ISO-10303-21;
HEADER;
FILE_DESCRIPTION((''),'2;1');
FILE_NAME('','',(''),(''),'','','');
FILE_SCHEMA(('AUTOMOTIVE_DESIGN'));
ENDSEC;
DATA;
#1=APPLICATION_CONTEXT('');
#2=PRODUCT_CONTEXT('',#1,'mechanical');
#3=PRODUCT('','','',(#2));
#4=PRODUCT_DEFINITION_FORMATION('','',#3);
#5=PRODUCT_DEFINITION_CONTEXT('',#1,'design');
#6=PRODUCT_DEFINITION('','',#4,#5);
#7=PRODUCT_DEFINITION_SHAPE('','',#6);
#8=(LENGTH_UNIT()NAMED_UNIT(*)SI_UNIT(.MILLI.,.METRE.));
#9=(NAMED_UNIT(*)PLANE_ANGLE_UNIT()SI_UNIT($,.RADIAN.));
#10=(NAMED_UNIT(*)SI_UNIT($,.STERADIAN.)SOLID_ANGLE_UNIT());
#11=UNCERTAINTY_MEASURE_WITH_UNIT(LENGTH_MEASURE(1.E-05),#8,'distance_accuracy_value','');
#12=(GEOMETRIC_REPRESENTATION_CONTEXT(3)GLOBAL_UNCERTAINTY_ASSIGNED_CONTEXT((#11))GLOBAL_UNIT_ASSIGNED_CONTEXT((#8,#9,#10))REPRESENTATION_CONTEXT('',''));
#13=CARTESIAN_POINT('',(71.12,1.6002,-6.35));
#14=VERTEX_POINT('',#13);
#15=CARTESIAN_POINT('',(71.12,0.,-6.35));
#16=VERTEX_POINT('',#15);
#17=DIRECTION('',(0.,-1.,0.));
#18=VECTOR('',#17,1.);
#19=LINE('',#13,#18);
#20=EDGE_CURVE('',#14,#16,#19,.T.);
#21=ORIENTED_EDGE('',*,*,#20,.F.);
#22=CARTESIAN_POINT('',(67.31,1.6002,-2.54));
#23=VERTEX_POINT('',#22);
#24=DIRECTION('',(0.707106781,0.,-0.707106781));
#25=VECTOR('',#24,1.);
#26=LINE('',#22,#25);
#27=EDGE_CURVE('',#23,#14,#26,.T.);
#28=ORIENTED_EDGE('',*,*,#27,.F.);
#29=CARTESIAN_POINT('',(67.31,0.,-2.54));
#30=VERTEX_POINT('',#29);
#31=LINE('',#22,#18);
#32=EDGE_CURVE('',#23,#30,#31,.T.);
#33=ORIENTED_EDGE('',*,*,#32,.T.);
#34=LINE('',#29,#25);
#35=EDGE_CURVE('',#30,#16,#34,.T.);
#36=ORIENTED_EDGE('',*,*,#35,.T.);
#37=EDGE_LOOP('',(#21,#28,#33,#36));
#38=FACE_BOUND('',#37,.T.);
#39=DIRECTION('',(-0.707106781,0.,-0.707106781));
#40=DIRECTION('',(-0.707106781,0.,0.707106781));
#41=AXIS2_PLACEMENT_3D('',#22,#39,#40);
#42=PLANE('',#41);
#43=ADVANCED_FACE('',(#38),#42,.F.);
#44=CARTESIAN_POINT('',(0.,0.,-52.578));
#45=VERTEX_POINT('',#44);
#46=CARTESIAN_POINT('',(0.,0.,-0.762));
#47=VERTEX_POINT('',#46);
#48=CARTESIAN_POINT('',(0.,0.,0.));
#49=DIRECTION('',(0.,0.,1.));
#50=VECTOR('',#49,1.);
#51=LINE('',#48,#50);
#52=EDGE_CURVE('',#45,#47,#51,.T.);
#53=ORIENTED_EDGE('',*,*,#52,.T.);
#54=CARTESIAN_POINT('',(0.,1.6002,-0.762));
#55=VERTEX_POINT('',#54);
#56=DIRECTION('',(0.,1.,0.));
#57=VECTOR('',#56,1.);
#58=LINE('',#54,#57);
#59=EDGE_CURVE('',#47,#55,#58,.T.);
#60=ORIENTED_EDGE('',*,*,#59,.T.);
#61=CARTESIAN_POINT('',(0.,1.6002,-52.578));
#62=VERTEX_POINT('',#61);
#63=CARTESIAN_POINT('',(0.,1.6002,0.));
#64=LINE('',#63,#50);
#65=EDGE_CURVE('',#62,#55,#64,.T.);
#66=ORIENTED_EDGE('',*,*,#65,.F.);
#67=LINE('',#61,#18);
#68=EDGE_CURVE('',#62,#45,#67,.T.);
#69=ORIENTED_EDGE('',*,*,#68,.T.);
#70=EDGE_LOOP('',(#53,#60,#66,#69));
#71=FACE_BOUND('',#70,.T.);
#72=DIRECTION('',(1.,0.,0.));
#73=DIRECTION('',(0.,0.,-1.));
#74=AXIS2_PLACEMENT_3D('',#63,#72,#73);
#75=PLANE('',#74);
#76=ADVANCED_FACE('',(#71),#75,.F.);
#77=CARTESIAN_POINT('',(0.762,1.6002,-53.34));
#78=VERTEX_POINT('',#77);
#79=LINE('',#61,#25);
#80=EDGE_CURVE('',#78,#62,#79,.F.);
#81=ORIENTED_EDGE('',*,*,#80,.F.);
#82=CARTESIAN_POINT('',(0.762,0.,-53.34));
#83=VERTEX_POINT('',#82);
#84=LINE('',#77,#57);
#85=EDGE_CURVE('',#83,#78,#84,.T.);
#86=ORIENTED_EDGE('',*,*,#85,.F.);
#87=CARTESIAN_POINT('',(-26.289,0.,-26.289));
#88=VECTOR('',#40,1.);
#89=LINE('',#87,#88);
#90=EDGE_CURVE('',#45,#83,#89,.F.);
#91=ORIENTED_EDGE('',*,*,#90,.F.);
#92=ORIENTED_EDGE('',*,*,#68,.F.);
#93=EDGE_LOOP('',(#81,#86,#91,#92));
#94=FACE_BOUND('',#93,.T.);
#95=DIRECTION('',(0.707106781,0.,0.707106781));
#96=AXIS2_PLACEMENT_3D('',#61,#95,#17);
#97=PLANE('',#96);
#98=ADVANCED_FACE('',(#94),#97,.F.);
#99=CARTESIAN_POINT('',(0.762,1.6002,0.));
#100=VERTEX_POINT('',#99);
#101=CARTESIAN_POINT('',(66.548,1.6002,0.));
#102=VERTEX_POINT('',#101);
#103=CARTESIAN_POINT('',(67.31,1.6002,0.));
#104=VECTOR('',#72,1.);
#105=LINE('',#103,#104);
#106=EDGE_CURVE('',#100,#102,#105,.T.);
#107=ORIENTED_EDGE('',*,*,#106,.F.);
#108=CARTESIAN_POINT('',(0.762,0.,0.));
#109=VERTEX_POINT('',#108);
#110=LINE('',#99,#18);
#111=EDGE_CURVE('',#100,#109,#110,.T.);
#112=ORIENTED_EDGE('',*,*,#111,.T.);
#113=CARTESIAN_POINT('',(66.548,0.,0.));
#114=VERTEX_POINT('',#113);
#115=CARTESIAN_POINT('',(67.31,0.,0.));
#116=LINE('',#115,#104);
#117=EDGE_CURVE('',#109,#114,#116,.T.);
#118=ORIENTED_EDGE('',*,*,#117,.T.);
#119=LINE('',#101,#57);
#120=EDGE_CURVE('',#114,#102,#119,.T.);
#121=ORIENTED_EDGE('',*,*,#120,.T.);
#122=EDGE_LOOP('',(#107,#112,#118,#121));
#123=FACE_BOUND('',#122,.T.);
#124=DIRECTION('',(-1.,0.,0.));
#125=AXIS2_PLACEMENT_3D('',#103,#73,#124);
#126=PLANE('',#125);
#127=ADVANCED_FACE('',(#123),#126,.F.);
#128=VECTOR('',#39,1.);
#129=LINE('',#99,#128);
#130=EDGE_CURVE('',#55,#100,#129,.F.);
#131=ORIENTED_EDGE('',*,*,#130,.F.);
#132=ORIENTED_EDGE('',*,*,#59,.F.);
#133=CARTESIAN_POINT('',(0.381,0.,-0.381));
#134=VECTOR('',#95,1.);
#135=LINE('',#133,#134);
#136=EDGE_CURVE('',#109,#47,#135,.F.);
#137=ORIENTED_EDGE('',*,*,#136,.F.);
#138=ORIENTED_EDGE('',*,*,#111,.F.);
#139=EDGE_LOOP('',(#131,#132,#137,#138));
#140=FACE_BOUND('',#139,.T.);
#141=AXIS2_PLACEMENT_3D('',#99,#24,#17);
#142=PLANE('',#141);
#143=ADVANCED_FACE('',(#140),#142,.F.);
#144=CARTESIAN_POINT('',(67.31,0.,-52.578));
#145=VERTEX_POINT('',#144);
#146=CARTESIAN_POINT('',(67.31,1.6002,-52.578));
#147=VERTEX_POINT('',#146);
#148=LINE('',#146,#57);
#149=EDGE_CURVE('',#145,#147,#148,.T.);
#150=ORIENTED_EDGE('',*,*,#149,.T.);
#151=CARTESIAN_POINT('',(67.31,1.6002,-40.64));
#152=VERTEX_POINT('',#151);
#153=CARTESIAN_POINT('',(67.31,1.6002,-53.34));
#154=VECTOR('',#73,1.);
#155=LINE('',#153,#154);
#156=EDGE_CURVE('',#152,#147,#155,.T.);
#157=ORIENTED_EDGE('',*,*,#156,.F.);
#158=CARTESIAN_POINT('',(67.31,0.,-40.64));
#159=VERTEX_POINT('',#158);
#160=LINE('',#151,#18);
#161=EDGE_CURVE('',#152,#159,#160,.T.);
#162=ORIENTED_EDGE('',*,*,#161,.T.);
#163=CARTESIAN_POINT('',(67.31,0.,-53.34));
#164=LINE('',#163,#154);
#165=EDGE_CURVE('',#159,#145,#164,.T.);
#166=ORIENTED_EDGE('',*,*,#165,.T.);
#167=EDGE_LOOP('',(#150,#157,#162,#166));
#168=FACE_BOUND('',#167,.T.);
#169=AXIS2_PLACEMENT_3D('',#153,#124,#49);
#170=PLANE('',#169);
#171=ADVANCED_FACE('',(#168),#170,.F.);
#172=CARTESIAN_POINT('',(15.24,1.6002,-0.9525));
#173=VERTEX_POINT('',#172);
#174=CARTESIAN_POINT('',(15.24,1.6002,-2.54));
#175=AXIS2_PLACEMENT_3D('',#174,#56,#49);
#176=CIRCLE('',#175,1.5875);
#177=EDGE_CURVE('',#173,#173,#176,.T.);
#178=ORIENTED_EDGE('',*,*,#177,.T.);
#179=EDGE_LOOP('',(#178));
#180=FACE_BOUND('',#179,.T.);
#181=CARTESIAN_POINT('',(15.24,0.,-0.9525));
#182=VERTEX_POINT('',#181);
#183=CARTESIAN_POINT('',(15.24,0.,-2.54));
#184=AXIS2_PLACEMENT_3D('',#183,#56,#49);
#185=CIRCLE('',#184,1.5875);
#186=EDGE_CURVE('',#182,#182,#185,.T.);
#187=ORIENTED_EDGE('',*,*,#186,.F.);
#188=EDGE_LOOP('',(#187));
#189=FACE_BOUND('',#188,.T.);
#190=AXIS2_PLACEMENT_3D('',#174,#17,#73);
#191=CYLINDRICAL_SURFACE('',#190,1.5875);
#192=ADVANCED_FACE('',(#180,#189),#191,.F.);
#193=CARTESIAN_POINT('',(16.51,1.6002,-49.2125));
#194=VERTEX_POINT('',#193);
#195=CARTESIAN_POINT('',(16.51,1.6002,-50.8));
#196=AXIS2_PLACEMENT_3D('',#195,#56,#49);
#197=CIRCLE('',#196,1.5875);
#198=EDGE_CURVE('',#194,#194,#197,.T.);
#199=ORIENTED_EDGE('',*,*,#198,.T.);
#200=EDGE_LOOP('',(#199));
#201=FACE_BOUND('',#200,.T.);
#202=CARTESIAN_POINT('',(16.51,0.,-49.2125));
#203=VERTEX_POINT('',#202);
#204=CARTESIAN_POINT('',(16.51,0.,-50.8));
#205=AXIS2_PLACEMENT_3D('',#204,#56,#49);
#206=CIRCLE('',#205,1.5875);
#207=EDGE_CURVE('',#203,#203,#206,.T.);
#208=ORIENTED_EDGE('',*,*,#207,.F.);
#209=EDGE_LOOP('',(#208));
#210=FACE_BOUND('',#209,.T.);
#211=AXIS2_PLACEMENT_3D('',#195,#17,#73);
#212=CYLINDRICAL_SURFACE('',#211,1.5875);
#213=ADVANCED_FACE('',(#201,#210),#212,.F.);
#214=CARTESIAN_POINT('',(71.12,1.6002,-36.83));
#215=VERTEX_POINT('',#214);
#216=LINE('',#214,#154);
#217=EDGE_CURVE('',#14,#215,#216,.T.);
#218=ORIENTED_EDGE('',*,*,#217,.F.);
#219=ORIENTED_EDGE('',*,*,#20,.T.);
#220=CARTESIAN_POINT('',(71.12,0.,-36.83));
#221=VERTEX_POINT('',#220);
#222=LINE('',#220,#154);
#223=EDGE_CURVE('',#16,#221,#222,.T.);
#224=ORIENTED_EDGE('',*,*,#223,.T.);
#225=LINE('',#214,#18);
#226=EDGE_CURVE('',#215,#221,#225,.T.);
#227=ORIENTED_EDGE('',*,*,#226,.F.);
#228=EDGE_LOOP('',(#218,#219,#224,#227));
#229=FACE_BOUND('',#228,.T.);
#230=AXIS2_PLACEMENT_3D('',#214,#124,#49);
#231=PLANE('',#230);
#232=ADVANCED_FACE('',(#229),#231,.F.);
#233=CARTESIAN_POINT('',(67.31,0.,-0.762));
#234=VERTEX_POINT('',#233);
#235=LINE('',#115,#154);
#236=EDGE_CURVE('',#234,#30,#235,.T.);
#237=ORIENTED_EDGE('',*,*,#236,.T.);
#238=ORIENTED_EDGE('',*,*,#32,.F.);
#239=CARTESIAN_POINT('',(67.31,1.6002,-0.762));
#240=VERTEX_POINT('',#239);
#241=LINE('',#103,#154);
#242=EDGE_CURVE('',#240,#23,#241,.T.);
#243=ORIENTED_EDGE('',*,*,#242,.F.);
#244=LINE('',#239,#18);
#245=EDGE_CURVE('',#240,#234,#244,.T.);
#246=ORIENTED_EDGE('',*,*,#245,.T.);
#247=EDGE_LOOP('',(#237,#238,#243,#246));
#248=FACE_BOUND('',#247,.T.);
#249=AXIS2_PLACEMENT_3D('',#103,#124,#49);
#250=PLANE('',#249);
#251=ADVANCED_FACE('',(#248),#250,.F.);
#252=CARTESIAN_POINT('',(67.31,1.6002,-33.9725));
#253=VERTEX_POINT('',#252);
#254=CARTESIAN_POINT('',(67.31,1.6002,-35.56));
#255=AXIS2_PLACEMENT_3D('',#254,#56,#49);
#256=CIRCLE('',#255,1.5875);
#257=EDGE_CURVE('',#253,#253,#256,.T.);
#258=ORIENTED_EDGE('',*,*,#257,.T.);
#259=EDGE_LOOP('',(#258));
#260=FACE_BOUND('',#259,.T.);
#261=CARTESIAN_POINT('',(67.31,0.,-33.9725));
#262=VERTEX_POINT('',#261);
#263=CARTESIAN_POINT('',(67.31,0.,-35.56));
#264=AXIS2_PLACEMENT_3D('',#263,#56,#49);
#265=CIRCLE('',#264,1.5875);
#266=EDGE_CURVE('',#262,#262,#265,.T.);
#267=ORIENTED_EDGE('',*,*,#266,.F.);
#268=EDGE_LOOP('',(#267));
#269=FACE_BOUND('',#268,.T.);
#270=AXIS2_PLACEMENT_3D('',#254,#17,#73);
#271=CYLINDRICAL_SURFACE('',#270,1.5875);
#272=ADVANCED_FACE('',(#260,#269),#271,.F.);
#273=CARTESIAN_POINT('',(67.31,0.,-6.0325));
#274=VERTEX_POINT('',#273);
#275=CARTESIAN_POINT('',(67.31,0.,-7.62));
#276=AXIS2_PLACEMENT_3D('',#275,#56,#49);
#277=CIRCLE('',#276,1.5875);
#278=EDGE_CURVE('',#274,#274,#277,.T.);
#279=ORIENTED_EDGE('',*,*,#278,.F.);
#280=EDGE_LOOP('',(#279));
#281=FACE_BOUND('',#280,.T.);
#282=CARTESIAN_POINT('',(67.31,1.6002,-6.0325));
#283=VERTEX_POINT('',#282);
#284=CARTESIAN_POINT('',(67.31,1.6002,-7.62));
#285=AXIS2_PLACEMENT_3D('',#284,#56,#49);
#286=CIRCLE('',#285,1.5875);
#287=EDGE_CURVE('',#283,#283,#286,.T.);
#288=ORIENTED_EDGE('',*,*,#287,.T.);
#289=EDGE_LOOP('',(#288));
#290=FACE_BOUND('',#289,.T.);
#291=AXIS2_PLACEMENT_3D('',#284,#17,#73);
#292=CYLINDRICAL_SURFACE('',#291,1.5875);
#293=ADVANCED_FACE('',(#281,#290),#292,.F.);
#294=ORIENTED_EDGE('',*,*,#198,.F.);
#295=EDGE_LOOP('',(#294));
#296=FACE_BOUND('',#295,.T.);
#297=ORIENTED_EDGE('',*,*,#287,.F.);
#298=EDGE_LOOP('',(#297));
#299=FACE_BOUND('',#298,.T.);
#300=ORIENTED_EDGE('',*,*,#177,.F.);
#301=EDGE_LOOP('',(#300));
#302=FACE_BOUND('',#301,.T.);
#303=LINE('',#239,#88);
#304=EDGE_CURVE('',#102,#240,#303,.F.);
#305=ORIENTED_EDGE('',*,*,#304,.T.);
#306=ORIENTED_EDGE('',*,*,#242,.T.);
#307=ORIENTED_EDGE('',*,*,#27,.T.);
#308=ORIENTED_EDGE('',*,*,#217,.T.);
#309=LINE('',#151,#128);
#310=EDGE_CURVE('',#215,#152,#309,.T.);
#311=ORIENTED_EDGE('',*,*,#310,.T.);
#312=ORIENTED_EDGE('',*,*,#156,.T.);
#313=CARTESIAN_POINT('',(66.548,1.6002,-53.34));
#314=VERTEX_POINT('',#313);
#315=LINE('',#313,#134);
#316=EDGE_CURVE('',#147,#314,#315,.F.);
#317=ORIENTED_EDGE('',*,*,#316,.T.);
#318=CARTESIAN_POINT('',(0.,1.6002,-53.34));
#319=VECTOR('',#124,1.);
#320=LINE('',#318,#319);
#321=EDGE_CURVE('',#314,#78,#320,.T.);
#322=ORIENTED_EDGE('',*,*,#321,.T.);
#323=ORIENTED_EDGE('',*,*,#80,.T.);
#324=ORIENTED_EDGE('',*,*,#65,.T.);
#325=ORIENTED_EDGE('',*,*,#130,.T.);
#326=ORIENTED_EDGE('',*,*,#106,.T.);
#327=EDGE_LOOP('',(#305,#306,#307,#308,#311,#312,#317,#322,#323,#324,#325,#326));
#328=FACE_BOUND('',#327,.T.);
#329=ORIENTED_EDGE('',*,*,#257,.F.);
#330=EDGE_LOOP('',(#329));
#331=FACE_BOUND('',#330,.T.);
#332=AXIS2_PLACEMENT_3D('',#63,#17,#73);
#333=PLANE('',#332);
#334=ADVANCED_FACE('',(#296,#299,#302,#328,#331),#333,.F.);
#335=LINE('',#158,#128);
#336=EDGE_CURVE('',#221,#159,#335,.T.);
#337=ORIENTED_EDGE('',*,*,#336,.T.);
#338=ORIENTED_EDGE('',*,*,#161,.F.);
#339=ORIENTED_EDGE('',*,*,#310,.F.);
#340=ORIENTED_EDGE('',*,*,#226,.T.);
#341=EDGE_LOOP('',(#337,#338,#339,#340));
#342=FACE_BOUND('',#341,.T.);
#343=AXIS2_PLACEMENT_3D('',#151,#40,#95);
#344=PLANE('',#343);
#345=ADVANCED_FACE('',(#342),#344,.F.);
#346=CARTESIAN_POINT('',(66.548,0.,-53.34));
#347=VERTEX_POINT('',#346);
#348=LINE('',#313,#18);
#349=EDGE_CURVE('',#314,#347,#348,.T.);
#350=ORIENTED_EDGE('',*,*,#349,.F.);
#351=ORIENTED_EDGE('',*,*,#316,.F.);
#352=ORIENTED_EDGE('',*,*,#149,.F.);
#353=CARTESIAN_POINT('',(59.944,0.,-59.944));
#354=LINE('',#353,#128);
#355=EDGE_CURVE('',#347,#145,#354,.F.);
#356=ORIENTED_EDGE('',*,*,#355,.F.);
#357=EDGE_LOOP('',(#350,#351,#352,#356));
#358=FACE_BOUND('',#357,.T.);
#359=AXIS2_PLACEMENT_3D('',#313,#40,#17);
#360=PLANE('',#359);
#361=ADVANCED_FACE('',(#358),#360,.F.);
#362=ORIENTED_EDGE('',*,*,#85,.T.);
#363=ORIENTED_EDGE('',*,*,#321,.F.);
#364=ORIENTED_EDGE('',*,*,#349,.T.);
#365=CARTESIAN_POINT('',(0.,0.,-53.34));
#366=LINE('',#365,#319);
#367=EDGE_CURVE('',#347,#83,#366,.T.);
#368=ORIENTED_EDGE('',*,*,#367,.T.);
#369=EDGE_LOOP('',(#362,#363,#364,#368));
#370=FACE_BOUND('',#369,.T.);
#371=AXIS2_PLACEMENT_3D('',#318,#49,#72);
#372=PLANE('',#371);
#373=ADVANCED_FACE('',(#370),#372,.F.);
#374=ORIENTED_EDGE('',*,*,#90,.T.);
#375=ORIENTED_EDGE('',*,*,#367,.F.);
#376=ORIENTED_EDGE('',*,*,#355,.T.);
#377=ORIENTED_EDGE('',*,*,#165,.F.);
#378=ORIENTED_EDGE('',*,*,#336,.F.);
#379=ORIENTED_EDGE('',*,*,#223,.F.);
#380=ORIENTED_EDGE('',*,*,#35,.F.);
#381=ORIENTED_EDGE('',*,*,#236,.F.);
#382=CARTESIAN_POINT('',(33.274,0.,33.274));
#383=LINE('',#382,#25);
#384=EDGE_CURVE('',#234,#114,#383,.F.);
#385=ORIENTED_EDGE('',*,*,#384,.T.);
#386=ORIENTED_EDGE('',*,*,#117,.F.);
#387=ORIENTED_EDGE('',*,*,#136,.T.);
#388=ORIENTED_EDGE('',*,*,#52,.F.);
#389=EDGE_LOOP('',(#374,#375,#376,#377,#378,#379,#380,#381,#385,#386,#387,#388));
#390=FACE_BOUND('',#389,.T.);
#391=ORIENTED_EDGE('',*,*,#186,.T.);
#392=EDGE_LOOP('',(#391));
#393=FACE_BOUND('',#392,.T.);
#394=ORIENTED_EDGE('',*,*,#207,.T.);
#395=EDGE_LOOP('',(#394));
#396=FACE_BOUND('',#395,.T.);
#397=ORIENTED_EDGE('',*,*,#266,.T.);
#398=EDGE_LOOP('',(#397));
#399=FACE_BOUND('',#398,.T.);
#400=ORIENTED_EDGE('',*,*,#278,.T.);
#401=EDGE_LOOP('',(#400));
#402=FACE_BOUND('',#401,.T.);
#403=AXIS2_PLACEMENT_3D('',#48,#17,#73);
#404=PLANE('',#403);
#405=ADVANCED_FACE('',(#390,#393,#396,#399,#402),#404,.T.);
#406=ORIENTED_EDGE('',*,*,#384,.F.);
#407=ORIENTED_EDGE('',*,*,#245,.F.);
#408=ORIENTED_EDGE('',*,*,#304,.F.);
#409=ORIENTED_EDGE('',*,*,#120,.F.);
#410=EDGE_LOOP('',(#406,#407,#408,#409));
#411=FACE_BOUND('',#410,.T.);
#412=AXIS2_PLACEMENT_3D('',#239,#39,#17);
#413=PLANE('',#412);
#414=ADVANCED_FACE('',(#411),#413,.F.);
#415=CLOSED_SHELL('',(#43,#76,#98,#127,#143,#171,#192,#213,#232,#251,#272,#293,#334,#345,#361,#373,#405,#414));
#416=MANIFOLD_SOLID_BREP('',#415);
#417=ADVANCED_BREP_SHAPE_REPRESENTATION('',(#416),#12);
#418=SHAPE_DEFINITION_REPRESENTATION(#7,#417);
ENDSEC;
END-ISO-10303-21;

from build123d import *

# Parameters (mm, degrees)
SKETCH1_R           = 1.5875
BOSS_EXTRUDE1_DEPTH = 1.6002
CHAMFER1_SIZE       = 0.762


with BuildPart() as part:
    # Sketch1 → Boss-Extrude1 (new body)
    with BuildSketch(Plane(origin=(0, 0, 0), x_dir=(1, 0, 0), z_dir=(0, 1, 0))):
        Polygon((0, 0), (0, 53.34), (67.31, 53.34), (67.31, 40.64), (71.12, 36.83), (71.12, 6.35), (67.31, 2.54), (67.31, 0), align=None)
        with Locations(Location((16.51, 50.8, 0), (0, 0, 270))):
            Circle(SKETCH1_R, mode=Mode.SUBTRACT)
        with Locations(Location((15.24, 2.54, 0), (0, 0, 270))):
            Circle(SKETCH1_R, mode=Mode.SUBTRACT)
        with Locations(Location((67.31, 35.56, 0), (0, 0, 270))):
            Circle(SKETCH1_R, mode=Mode.SUBTRACT)
        with Locations(Location((67.31, 7.62, 0), (0, 0, 270))):
            Circle(SKETCH1_R, mode=Mode.SUBTRACT)
    extrude(amount=BOSS_EXTRUDE1_DEPTH)

    # Chamfer1
    chamfer1_edges = [part.edges().sort_by_distance(p)[0] for p in [
        (0, 0.8001, 0),
        (0, 0.8001, -53.34),
        (67.31, 0.8001, -53.34),
        (67.31, 0.8001, 0),
    ]]
    chamfer(chamfer1_edges, length=CHAMFER1_SIZE)


solid = part.part
